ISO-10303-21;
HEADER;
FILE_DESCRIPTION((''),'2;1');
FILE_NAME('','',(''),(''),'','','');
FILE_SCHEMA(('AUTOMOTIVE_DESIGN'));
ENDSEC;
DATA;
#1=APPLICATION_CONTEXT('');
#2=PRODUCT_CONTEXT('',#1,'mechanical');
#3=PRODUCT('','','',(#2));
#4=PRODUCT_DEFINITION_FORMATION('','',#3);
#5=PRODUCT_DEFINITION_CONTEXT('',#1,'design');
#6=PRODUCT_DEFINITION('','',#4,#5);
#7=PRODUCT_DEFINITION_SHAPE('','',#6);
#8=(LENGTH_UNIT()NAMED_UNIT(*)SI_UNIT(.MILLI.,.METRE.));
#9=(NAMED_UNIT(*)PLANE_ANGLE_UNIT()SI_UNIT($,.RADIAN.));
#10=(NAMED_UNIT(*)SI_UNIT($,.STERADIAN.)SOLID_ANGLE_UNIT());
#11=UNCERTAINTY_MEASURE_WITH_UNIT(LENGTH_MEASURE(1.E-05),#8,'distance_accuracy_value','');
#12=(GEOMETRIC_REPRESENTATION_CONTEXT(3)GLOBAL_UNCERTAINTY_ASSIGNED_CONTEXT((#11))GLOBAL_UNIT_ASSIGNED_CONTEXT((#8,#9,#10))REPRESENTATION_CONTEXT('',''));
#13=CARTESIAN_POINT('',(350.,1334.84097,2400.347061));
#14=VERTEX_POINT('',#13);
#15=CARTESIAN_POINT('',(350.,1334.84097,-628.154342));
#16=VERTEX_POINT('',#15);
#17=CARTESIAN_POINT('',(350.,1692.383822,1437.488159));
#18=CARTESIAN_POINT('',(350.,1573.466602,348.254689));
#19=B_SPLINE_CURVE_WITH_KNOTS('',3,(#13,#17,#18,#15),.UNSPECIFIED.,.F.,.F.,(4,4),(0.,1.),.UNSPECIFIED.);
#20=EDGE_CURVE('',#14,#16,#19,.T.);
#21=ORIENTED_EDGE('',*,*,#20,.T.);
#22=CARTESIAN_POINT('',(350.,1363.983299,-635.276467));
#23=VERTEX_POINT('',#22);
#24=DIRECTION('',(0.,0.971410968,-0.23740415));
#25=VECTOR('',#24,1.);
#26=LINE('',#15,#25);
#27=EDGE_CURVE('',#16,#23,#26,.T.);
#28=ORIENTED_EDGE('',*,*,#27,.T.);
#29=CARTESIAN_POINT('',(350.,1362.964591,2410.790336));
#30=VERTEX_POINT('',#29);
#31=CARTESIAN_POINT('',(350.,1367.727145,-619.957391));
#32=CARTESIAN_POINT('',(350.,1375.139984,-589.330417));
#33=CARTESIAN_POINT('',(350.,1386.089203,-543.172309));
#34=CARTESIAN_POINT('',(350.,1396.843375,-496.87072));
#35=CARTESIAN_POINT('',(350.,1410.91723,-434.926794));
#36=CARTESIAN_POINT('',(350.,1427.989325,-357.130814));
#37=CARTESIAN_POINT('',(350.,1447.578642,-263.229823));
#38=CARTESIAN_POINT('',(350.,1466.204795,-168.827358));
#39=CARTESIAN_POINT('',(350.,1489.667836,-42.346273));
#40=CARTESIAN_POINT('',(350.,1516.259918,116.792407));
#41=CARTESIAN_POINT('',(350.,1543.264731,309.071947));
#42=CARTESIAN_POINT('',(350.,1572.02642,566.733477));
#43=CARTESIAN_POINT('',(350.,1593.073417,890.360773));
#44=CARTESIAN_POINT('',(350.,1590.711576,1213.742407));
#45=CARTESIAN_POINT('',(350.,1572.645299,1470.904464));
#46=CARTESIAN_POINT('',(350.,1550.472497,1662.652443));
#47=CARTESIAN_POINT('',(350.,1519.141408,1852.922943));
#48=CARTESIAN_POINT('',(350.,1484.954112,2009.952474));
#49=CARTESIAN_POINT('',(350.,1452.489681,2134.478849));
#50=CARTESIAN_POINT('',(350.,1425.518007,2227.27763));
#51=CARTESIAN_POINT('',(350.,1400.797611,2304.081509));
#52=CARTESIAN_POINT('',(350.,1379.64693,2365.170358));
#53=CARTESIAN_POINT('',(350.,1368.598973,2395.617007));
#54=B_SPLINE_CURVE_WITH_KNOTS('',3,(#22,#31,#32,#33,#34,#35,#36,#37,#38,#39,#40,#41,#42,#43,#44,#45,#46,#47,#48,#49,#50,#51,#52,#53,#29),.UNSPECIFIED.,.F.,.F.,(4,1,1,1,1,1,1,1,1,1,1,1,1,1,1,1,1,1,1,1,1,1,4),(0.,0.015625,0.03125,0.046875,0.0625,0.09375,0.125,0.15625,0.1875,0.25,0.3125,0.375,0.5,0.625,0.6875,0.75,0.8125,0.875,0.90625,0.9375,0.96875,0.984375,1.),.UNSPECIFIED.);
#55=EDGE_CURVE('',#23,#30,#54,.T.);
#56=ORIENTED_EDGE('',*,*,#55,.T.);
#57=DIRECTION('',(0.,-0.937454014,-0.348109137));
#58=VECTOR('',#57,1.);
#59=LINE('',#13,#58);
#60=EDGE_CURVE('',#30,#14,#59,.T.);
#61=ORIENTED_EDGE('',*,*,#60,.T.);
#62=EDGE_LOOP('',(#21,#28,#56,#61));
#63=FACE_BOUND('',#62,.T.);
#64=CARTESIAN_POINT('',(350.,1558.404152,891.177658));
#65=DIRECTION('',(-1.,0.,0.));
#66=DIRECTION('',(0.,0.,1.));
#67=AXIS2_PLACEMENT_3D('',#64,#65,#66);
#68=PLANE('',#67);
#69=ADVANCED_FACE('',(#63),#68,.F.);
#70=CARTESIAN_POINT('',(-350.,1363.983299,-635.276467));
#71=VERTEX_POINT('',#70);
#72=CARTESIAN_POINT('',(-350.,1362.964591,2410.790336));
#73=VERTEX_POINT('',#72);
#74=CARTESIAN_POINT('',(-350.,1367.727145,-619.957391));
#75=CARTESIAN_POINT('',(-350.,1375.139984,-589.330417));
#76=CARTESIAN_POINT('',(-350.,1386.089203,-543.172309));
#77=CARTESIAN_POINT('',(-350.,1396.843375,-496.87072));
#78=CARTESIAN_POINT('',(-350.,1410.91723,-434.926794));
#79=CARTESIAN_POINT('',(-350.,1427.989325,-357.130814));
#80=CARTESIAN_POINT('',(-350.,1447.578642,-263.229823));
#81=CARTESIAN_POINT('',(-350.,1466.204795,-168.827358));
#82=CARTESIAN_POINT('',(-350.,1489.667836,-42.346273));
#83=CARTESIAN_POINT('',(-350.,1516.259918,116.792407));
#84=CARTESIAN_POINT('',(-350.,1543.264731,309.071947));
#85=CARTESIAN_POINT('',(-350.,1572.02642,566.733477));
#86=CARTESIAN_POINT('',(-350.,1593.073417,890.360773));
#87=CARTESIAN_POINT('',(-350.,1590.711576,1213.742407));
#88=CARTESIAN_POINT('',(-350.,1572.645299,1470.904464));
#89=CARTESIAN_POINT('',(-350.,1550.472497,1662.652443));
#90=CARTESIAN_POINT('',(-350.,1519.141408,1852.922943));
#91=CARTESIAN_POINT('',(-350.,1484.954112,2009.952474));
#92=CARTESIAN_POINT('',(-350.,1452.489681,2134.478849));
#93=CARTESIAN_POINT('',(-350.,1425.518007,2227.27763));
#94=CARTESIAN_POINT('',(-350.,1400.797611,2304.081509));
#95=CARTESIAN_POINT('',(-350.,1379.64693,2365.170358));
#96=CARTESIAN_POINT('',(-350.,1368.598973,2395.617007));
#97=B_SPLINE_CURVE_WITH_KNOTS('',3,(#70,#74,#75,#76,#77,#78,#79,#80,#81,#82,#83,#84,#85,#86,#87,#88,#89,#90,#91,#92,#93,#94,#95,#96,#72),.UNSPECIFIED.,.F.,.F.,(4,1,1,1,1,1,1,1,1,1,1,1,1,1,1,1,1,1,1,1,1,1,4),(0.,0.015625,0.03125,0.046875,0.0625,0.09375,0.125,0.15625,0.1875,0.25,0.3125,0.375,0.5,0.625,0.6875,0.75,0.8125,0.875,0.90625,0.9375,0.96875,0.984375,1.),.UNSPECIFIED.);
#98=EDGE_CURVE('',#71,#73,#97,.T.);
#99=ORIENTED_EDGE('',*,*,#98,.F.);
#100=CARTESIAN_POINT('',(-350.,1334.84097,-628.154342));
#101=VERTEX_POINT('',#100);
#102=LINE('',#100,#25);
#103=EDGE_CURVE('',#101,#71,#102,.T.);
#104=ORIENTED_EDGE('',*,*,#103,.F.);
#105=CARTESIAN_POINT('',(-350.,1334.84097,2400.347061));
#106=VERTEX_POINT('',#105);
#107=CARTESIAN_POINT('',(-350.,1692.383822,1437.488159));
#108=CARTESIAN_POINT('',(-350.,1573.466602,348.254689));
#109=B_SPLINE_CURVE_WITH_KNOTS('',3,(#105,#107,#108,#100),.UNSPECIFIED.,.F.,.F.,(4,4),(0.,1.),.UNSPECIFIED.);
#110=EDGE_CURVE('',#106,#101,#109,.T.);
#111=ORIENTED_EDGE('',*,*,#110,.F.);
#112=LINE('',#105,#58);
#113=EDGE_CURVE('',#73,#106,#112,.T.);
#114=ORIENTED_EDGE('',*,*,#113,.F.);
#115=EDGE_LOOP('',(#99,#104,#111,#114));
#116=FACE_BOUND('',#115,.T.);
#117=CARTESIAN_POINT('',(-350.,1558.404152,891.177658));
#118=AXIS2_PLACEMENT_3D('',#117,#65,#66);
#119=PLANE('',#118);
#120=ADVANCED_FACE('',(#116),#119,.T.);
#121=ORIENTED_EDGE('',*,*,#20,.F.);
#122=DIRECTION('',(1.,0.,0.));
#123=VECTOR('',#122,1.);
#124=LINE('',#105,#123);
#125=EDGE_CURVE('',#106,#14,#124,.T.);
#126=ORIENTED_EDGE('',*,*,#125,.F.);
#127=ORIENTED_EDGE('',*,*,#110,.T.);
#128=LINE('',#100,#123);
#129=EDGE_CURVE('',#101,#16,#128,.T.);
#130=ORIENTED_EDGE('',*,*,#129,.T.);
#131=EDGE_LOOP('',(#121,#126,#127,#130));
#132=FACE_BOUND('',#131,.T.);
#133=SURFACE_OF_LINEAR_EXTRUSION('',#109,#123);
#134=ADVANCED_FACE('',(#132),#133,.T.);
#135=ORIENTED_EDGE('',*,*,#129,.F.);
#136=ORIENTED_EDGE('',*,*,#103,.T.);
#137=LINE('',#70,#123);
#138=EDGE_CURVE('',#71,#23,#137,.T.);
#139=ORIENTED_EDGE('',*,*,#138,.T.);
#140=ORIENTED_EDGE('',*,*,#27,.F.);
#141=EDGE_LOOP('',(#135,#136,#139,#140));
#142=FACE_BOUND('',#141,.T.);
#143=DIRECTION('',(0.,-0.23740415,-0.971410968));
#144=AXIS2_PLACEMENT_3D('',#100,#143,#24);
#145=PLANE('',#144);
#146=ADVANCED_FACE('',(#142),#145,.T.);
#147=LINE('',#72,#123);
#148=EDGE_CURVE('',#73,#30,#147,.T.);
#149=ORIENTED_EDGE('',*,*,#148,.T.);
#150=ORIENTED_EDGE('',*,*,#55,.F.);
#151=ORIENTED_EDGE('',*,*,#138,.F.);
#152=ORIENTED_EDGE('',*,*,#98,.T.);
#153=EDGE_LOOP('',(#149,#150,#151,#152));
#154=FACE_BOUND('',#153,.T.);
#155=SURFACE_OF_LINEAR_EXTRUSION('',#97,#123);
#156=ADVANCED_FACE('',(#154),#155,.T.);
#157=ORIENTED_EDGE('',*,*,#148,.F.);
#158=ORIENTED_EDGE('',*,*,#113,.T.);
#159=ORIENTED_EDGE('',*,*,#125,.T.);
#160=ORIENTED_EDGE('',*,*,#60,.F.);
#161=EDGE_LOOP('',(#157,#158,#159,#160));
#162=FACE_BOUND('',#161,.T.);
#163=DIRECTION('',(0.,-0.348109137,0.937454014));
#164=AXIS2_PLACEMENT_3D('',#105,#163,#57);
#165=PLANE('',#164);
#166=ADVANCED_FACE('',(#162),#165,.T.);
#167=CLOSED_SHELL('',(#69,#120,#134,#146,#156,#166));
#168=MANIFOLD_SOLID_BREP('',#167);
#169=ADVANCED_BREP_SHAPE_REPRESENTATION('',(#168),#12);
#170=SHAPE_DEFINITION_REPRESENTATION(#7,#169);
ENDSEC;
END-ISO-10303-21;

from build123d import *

# Parameters (mm, degrees)
BOSS_EXTRUDE1_DEPTH      = 350
BOSS_EXTRUDE1_DEPTH_BACK = 350


with BuildPart() as part:
    # Sketch2 → Boss-Extrude1 (new, two sides: drawn at the far end of the back side and taken through both)
    with BuildSketch(Plane(origin=(0, 0, 0), x_dir=(0, 0, -1), z_dir=(1, 0, 0)).offset(-BOSS_EXTRUDE1_DEPTH_BACK)):
        with BuildLine():
            Line((628.154342243, 1334.840970334), (635.276466748, 1363.983299386))
            add(Edge.make_bspline(
                [(635.276466748, 1363.983299386), (619.957390753, 1367.72714451), (589.330417146, 1375.139984347), (543.172309386, 1386.089202533), (496.870720267, 1396.843374703), (434.926793802, 1410.917229945), (357.130814236, 1427.989325486), (263.22982252, 1447.578641927), (168.827358301, 1466.204795293), (42.346273159, 1489.667836014), (-116.792406765, 1516.259917629), (-309.071946528, 1543.26473064), (-566.733477317, 1572.02641996), (-890.360773009, 1593.073417312), (-1213.742406532, 1590.711575527), (-1470.90446444, 1572.645298882), (-1662.652442521, 1550.472496905), (-1852.922942756, 1519.141407627), (-2009.952474043, 1484.954111895), (-2134.47884907, 1452.489680909), (-2227.277630338, 1425.518007468), (-2304.081508723, 1400.797610657), (-2365.170358382, 1379.646930282), (-2395.617007214, 1368.598973009), (-2410.790335611, 1362.964590755)],
                knots=[0, 0, 0, 0, 0.015625, 0.03125, 0.046875, 0.0625, 0.09375, 0.125, 0.15625, 0.1875, 0.25, 0.3125, 0.375, 0.5, 0.625, 0.6875, 0.75, 0.8125, 0.875, 0.90625, 0.9375, 0.96875, 0.984375, 1, 1, 1, 1], degree=3))
            Line((-2410.790335611, 1362.964590755), (-2400.347061488, 1334.840970334))
            add(Edge.make_bspline(
                [(628.154342243, 1334.840970334), (-348.254688721, 1573.466602271), (-1437.488159342, 1692.383822459), (-2400.347061488, 1334.840970334)],
                knots=[0, 0, 0, 0, 1, 1, 1, 1], degree=3))
        make_face()
    extrude(amount=BOSS_EXTRUDE1_DEPTH + BOSS_EXTRUDE1_DEPTH_BACK)


solid = part.part
